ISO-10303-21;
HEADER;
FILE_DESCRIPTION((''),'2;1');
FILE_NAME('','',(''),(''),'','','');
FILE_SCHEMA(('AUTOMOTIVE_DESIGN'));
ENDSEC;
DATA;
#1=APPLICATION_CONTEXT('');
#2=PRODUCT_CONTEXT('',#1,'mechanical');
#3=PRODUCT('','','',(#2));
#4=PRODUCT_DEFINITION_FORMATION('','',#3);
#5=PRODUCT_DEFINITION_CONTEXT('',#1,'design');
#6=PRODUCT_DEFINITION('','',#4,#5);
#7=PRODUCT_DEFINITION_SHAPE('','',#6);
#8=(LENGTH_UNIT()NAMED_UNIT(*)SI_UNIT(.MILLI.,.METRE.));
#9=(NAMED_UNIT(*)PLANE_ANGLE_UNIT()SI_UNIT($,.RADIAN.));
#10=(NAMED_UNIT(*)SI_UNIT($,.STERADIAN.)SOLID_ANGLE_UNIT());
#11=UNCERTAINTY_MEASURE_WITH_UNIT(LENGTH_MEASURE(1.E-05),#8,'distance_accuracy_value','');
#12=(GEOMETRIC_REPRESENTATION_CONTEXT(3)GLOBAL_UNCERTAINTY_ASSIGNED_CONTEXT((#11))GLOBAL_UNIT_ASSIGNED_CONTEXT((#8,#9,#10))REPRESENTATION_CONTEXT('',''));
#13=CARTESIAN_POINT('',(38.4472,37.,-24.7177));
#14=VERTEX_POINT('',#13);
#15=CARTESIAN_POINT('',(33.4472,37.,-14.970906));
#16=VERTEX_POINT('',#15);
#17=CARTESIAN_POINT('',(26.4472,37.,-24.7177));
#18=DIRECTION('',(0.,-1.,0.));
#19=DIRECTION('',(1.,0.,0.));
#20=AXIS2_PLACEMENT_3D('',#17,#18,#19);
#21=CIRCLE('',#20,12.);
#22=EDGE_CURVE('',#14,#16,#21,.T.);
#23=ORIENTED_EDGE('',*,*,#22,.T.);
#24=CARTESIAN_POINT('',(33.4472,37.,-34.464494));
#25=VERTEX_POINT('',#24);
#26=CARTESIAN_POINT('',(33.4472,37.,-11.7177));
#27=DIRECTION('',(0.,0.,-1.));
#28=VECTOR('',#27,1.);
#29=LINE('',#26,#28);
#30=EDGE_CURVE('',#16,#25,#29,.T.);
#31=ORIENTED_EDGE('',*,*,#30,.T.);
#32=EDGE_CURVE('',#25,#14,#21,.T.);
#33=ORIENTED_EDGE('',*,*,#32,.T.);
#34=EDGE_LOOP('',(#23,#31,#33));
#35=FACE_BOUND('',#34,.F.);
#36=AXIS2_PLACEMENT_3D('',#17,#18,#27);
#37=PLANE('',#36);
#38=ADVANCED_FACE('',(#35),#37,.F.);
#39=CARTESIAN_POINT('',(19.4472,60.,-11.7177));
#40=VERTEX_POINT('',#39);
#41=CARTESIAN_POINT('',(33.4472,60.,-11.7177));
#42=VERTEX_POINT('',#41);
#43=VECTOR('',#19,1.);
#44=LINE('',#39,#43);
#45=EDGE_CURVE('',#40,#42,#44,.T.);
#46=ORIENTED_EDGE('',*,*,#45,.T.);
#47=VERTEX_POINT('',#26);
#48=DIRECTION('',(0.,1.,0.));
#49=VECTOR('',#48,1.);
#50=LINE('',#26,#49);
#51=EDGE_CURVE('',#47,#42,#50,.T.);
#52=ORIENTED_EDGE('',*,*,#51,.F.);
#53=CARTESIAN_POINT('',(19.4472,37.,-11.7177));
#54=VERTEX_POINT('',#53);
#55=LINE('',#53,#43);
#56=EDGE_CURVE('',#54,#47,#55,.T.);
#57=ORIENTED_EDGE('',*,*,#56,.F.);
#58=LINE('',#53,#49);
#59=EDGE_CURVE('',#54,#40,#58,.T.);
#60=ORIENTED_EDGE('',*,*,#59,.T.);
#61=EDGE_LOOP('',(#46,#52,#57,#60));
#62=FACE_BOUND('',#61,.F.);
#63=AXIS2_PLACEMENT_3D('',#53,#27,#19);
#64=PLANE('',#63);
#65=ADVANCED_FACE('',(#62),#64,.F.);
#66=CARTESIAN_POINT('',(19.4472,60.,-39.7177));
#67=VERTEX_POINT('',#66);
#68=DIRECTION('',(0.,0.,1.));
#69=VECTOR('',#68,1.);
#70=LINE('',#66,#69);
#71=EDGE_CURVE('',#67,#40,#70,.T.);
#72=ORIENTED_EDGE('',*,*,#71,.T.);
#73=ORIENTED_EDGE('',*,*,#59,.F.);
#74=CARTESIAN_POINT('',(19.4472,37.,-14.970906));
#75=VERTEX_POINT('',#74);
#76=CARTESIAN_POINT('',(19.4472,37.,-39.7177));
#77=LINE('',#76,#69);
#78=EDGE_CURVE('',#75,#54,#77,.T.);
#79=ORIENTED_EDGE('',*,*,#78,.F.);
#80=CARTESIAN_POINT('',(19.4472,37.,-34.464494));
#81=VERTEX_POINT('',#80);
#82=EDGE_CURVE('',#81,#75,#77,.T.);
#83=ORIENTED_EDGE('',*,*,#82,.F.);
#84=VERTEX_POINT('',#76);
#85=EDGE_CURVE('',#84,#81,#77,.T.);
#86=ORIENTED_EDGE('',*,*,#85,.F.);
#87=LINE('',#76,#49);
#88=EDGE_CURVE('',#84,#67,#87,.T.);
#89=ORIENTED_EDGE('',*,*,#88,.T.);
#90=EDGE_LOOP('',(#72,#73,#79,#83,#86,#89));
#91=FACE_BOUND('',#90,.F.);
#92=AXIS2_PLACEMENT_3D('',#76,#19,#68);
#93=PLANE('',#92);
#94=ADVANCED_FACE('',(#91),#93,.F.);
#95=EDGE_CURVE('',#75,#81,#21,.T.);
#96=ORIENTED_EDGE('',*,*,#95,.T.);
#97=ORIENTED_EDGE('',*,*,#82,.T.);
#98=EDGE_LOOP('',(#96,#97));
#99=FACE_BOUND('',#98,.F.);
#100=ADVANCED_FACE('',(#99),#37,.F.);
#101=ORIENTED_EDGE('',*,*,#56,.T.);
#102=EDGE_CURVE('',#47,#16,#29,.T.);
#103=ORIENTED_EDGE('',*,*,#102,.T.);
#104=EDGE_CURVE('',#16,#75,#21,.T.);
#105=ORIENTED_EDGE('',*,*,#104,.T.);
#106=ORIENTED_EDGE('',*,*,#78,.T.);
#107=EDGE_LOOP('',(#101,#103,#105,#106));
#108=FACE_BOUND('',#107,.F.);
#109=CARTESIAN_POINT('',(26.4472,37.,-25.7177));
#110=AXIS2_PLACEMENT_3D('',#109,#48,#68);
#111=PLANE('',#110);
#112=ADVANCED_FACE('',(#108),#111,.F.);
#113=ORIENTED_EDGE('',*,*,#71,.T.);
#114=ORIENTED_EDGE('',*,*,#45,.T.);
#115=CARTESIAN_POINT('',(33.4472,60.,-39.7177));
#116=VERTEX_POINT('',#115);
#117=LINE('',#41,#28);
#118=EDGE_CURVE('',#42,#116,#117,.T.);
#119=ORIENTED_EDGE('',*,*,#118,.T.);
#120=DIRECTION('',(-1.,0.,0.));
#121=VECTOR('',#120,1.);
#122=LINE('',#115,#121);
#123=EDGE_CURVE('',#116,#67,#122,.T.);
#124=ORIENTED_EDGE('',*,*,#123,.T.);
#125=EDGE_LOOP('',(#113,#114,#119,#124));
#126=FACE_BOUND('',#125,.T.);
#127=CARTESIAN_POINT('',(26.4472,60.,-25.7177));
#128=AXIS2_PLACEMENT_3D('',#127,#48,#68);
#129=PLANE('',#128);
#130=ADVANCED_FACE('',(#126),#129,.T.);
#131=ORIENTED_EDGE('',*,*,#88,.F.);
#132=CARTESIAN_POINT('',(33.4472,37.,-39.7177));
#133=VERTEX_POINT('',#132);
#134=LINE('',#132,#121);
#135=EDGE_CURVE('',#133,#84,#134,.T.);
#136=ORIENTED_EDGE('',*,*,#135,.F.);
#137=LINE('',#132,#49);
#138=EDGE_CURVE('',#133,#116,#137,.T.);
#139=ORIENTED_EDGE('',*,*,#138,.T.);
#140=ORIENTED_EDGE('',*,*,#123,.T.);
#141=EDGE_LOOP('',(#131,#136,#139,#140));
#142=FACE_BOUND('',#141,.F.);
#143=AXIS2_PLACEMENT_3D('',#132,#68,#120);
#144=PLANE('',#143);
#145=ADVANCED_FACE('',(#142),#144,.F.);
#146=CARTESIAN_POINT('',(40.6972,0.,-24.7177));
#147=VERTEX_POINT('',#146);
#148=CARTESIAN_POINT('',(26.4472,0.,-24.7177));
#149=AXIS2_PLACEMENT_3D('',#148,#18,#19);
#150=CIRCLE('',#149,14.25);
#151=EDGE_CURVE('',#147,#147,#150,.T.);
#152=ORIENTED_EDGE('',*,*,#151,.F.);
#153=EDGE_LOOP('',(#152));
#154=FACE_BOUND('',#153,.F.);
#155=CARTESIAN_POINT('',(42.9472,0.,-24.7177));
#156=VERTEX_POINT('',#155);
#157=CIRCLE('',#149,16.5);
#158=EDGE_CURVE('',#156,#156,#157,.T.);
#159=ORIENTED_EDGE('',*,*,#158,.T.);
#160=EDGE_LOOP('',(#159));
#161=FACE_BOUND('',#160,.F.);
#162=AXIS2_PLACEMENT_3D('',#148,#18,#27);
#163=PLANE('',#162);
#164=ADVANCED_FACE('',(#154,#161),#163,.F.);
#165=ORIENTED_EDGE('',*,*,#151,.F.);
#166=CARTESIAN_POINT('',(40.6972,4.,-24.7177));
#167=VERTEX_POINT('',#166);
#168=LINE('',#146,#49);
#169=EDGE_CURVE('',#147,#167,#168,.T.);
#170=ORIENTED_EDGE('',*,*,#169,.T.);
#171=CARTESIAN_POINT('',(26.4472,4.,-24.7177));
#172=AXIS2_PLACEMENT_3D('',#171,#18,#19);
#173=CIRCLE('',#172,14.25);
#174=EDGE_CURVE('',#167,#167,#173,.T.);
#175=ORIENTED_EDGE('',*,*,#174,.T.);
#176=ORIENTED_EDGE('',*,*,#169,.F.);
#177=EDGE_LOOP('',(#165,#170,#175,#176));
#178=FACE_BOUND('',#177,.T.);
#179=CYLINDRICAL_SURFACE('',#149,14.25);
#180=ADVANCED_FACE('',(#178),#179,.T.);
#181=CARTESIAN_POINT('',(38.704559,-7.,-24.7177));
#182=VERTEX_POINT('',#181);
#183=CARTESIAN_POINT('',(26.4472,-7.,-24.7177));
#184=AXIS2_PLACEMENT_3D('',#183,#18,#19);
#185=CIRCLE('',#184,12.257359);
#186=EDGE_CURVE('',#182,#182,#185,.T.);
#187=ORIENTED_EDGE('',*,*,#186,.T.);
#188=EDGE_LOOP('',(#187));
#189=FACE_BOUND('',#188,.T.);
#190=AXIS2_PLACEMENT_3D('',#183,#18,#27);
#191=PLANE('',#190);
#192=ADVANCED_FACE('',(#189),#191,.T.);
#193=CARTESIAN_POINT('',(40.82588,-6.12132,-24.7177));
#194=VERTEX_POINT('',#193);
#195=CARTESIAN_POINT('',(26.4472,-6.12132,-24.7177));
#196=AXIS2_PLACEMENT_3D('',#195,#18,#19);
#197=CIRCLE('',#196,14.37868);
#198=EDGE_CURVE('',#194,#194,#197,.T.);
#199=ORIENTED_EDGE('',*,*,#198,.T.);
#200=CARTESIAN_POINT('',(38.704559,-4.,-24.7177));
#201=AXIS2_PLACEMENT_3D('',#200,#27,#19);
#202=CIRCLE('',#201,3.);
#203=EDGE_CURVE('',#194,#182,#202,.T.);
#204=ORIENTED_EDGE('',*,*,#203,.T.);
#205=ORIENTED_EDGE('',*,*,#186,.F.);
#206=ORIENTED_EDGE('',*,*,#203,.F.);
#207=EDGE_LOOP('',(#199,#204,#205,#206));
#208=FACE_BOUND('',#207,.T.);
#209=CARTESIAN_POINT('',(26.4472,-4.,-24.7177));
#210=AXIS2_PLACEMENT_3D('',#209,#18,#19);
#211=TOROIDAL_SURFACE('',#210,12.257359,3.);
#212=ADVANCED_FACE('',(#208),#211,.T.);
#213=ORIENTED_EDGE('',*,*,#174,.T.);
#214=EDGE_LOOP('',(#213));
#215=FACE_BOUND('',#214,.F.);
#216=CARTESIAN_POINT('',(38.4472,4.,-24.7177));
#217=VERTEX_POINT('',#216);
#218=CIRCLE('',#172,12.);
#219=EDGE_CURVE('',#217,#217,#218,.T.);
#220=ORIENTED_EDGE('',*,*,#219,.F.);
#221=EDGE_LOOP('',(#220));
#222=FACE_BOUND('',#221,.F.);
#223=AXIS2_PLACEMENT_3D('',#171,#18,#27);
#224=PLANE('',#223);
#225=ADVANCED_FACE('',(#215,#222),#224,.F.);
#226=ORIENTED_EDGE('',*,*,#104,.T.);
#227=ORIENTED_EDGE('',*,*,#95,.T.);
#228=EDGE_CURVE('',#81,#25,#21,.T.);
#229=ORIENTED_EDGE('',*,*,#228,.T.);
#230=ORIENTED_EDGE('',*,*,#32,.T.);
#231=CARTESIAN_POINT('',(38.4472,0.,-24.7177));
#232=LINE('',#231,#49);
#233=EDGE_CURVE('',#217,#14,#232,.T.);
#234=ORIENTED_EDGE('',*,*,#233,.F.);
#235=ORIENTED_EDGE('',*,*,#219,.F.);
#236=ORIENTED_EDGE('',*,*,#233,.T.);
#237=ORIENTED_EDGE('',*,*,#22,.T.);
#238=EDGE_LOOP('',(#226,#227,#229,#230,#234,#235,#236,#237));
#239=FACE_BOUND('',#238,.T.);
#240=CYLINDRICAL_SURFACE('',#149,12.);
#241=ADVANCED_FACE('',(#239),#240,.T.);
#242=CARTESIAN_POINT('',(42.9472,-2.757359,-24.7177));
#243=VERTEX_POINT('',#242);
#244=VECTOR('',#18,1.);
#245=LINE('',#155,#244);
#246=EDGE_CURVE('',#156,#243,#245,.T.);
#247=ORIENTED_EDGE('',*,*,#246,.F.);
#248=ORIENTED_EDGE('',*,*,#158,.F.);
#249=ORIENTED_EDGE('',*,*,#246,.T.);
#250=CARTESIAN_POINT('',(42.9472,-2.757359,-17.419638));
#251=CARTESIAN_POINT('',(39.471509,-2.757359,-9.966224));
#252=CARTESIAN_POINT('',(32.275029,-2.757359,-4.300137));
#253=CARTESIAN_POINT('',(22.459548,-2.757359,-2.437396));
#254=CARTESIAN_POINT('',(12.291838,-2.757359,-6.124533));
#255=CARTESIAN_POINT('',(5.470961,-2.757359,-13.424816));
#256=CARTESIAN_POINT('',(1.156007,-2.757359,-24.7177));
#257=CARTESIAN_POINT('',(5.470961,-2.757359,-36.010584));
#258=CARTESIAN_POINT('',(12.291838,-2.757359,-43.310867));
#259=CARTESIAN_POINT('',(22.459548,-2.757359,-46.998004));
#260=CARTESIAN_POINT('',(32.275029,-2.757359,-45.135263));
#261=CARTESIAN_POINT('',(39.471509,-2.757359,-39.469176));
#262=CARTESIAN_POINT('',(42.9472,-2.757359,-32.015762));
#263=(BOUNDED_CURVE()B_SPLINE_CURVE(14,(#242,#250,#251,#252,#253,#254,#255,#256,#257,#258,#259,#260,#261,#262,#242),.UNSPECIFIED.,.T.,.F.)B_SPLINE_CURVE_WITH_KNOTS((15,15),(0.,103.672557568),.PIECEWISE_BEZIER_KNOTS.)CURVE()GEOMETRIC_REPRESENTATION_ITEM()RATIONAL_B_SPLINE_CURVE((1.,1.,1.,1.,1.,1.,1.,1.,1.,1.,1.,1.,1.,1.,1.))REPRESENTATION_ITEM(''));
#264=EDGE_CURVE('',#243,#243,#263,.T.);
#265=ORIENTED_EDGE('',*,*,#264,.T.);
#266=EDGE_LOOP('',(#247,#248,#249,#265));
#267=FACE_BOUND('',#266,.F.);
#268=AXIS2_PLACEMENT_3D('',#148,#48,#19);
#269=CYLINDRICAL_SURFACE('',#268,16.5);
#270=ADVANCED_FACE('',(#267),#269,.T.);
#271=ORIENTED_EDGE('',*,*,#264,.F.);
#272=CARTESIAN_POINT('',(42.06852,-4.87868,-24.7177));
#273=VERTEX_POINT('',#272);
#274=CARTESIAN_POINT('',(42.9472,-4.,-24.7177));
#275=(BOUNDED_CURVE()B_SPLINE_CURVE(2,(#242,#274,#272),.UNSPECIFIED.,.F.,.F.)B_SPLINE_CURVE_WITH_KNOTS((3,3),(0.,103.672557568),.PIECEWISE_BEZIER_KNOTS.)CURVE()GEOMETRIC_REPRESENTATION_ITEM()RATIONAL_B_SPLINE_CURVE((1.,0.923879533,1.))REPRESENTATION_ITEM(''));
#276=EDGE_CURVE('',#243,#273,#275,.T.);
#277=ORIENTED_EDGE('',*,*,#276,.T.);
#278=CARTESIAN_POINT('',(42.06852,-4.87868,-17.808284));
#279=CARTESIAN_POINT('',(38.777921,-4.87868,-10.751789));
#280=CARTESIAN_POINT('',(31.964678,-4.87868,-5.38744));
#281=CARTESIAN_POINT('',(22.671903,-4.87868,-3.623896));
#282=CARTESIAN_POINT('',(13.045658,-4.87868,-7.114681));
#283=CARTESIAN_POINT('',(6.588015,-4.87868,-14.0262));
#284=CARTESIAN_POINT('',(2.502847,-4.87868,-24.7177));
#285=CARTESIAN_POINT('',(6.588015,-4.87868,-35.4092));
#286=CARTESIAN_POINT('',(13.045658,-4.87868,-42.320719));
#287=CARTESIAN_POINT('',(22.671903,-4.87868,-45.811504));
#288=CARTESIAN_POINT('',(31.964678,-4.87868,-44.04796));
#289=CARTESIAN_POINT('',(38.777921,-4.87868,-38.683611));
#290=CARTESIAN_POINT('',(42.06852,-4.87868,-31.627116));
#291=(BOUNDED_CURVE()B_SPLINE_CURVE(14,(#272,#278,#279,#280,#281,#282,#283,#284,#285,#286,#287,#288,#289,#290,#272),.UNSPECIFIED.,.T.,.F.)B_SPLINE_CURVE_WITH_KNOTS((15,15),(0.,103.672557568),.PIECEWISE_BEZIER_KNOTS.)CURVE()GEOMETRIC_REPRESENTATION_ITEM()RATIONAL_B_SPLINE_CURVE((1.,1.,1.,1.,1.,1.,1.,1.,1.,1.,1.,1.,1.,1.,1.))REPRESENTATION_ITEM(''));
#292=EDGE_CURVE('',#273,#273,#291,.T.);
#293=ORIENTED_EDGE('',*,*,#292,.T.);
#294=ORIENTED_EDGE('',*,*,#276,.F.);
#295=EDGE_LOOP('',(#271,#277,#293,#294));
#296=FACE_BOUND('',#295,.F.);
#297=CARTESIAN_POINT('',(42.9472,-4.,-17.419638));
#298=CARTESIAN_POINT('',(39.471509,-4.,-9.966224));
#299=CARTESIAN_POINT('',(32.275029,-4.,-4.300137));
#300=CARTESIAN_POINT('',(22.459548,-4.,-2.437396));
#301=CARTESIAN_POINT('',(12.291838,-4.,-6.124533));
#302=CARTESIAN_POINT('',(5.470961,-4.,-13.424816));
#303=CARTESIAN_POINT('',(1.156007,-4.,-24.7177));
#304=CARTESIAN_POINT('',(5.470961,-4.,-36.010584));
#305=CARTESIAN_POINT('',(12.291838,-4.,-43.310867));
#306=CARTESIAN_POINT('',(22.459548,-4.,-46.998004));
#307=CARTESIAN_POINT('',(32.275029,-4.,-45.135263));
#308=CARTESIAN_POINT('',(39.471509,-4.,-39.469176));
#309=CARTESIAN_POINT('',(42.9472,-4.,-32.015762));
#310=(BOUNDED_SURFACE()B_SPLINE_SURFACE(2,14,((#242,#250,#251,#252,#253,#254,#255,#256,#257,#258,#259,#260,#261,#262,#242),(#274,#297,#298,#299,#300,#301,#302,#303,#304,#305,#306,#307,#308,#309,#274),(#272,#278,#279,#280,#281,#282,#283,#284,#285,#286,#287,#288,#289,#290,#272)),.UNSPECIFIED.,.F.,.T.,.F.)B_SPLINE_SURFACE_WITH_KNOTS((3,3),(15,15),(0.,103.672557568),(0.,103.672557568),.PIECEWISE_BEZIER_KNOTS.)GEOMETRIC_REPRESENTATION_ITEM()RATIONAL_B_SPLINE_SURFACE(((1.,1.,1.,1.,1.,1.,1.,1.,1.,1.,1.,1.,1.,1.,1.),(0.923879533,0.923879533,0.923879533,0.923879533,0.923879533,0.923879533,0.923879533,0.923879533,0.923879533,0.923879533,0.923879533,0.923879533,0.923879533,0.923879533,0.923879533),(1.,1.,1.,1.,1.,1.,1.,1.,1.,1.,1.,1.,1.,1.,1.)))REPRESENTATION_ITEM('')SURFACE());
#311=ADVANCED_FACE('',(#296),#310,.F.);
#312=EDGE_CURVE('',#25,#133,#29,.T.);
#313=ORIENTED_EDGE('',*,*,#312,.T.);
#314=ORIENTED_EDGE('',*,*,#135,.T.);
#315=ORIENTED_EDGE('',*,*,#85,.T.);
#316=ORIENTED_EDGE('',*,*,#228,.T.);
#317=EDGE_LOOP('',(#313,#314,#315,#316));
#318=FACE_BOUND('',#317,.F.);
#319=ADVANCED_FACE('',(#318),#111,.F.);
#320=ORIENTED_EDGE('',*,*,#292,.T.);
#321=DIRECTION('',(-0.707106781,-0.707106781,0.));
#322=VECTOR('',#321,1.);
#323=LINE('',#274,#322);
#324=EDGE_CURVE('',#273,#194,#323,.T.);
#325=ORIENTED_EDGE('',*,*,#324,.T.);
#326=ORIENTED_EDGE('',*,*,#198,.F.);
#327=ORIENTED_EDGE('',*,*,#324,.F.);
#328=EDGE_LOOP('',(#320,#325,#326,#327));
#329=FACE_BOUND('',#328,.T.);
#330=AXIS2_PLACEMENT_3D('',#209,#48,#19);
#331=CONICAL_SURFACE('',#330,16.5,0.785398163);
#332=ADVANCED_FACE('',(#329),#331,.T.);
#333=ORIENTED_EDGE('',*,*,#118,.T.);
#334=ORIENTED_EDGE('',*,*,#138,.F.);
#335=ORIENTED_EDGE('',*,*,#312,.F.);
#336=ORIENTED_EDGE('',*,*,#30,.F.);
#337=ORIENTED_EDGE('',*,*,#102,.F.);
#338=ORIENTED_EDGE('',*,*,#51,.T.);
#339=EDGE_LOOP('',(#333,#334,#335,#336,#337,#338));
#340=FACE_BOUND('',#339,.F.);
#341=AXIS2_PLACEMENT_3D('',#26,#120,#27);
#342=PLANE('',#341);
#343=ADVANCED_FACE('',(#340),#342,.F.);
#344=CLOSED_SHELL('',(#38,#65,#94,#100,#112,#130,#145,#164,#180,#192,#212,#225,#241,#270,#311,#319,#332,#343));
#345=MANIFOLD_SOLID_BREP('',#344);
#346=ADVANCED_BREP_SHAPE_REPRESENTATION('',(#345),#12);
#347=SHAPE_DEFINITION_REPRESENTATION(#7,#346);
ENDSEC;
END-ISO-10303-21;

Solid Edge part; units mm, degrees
sketch "Sketch1" plane through (0, 0, 0) normal (0, -1, 0) x (1, 0, 0)
  circle A0 centre (26.4472, -24.7177) radius 16.5
extrude "Protrusion1" add sketch "Sketch1" along normal blind 7
sketch "Sketch2" plane through (0, 0, 0) normal (0, -1, 0) x (1, 0, 0)
  circle A0 centre (26.4472, -24.7177) radius 12
extrude "ExtrudedProtrusion_2" add sketch "Sketch2" against normal blind 37
sketch "Sketch3" plane through (0, 0, 0) normal (0, -1, 0) x (1, 0, 0)
  circle A0 centre (26.4472, -24.7177) radius 14.25
extrude "ExtrudedProtrusion_3" add sketch "Sketch3" against normal blind 4
chamfer "Chamfer_1" distance 3 angle 45 1 edges at (9.9472, -7, -24.7177)
fillet "Round_1" radius 3 2 edges at (26.4472, -4, -41.2177) (26.4472, -7, -38.2177)
sketch "Sketch4" plane through (26.4472, 37, -24.7177) normal (0, 1, 0) x (-1, 0, 0)
  line L0 (7, 13) -> (-7, 13)
  line L1 (-7, 13) -> (-7, -15)
  line L2 (-7, -15) -> (7, -15)
  line L3 (7, -15) -> (7, 13)
extrude "ExtrudedProtrusion_4" add sketch "Sketch4" along normal blind 23
